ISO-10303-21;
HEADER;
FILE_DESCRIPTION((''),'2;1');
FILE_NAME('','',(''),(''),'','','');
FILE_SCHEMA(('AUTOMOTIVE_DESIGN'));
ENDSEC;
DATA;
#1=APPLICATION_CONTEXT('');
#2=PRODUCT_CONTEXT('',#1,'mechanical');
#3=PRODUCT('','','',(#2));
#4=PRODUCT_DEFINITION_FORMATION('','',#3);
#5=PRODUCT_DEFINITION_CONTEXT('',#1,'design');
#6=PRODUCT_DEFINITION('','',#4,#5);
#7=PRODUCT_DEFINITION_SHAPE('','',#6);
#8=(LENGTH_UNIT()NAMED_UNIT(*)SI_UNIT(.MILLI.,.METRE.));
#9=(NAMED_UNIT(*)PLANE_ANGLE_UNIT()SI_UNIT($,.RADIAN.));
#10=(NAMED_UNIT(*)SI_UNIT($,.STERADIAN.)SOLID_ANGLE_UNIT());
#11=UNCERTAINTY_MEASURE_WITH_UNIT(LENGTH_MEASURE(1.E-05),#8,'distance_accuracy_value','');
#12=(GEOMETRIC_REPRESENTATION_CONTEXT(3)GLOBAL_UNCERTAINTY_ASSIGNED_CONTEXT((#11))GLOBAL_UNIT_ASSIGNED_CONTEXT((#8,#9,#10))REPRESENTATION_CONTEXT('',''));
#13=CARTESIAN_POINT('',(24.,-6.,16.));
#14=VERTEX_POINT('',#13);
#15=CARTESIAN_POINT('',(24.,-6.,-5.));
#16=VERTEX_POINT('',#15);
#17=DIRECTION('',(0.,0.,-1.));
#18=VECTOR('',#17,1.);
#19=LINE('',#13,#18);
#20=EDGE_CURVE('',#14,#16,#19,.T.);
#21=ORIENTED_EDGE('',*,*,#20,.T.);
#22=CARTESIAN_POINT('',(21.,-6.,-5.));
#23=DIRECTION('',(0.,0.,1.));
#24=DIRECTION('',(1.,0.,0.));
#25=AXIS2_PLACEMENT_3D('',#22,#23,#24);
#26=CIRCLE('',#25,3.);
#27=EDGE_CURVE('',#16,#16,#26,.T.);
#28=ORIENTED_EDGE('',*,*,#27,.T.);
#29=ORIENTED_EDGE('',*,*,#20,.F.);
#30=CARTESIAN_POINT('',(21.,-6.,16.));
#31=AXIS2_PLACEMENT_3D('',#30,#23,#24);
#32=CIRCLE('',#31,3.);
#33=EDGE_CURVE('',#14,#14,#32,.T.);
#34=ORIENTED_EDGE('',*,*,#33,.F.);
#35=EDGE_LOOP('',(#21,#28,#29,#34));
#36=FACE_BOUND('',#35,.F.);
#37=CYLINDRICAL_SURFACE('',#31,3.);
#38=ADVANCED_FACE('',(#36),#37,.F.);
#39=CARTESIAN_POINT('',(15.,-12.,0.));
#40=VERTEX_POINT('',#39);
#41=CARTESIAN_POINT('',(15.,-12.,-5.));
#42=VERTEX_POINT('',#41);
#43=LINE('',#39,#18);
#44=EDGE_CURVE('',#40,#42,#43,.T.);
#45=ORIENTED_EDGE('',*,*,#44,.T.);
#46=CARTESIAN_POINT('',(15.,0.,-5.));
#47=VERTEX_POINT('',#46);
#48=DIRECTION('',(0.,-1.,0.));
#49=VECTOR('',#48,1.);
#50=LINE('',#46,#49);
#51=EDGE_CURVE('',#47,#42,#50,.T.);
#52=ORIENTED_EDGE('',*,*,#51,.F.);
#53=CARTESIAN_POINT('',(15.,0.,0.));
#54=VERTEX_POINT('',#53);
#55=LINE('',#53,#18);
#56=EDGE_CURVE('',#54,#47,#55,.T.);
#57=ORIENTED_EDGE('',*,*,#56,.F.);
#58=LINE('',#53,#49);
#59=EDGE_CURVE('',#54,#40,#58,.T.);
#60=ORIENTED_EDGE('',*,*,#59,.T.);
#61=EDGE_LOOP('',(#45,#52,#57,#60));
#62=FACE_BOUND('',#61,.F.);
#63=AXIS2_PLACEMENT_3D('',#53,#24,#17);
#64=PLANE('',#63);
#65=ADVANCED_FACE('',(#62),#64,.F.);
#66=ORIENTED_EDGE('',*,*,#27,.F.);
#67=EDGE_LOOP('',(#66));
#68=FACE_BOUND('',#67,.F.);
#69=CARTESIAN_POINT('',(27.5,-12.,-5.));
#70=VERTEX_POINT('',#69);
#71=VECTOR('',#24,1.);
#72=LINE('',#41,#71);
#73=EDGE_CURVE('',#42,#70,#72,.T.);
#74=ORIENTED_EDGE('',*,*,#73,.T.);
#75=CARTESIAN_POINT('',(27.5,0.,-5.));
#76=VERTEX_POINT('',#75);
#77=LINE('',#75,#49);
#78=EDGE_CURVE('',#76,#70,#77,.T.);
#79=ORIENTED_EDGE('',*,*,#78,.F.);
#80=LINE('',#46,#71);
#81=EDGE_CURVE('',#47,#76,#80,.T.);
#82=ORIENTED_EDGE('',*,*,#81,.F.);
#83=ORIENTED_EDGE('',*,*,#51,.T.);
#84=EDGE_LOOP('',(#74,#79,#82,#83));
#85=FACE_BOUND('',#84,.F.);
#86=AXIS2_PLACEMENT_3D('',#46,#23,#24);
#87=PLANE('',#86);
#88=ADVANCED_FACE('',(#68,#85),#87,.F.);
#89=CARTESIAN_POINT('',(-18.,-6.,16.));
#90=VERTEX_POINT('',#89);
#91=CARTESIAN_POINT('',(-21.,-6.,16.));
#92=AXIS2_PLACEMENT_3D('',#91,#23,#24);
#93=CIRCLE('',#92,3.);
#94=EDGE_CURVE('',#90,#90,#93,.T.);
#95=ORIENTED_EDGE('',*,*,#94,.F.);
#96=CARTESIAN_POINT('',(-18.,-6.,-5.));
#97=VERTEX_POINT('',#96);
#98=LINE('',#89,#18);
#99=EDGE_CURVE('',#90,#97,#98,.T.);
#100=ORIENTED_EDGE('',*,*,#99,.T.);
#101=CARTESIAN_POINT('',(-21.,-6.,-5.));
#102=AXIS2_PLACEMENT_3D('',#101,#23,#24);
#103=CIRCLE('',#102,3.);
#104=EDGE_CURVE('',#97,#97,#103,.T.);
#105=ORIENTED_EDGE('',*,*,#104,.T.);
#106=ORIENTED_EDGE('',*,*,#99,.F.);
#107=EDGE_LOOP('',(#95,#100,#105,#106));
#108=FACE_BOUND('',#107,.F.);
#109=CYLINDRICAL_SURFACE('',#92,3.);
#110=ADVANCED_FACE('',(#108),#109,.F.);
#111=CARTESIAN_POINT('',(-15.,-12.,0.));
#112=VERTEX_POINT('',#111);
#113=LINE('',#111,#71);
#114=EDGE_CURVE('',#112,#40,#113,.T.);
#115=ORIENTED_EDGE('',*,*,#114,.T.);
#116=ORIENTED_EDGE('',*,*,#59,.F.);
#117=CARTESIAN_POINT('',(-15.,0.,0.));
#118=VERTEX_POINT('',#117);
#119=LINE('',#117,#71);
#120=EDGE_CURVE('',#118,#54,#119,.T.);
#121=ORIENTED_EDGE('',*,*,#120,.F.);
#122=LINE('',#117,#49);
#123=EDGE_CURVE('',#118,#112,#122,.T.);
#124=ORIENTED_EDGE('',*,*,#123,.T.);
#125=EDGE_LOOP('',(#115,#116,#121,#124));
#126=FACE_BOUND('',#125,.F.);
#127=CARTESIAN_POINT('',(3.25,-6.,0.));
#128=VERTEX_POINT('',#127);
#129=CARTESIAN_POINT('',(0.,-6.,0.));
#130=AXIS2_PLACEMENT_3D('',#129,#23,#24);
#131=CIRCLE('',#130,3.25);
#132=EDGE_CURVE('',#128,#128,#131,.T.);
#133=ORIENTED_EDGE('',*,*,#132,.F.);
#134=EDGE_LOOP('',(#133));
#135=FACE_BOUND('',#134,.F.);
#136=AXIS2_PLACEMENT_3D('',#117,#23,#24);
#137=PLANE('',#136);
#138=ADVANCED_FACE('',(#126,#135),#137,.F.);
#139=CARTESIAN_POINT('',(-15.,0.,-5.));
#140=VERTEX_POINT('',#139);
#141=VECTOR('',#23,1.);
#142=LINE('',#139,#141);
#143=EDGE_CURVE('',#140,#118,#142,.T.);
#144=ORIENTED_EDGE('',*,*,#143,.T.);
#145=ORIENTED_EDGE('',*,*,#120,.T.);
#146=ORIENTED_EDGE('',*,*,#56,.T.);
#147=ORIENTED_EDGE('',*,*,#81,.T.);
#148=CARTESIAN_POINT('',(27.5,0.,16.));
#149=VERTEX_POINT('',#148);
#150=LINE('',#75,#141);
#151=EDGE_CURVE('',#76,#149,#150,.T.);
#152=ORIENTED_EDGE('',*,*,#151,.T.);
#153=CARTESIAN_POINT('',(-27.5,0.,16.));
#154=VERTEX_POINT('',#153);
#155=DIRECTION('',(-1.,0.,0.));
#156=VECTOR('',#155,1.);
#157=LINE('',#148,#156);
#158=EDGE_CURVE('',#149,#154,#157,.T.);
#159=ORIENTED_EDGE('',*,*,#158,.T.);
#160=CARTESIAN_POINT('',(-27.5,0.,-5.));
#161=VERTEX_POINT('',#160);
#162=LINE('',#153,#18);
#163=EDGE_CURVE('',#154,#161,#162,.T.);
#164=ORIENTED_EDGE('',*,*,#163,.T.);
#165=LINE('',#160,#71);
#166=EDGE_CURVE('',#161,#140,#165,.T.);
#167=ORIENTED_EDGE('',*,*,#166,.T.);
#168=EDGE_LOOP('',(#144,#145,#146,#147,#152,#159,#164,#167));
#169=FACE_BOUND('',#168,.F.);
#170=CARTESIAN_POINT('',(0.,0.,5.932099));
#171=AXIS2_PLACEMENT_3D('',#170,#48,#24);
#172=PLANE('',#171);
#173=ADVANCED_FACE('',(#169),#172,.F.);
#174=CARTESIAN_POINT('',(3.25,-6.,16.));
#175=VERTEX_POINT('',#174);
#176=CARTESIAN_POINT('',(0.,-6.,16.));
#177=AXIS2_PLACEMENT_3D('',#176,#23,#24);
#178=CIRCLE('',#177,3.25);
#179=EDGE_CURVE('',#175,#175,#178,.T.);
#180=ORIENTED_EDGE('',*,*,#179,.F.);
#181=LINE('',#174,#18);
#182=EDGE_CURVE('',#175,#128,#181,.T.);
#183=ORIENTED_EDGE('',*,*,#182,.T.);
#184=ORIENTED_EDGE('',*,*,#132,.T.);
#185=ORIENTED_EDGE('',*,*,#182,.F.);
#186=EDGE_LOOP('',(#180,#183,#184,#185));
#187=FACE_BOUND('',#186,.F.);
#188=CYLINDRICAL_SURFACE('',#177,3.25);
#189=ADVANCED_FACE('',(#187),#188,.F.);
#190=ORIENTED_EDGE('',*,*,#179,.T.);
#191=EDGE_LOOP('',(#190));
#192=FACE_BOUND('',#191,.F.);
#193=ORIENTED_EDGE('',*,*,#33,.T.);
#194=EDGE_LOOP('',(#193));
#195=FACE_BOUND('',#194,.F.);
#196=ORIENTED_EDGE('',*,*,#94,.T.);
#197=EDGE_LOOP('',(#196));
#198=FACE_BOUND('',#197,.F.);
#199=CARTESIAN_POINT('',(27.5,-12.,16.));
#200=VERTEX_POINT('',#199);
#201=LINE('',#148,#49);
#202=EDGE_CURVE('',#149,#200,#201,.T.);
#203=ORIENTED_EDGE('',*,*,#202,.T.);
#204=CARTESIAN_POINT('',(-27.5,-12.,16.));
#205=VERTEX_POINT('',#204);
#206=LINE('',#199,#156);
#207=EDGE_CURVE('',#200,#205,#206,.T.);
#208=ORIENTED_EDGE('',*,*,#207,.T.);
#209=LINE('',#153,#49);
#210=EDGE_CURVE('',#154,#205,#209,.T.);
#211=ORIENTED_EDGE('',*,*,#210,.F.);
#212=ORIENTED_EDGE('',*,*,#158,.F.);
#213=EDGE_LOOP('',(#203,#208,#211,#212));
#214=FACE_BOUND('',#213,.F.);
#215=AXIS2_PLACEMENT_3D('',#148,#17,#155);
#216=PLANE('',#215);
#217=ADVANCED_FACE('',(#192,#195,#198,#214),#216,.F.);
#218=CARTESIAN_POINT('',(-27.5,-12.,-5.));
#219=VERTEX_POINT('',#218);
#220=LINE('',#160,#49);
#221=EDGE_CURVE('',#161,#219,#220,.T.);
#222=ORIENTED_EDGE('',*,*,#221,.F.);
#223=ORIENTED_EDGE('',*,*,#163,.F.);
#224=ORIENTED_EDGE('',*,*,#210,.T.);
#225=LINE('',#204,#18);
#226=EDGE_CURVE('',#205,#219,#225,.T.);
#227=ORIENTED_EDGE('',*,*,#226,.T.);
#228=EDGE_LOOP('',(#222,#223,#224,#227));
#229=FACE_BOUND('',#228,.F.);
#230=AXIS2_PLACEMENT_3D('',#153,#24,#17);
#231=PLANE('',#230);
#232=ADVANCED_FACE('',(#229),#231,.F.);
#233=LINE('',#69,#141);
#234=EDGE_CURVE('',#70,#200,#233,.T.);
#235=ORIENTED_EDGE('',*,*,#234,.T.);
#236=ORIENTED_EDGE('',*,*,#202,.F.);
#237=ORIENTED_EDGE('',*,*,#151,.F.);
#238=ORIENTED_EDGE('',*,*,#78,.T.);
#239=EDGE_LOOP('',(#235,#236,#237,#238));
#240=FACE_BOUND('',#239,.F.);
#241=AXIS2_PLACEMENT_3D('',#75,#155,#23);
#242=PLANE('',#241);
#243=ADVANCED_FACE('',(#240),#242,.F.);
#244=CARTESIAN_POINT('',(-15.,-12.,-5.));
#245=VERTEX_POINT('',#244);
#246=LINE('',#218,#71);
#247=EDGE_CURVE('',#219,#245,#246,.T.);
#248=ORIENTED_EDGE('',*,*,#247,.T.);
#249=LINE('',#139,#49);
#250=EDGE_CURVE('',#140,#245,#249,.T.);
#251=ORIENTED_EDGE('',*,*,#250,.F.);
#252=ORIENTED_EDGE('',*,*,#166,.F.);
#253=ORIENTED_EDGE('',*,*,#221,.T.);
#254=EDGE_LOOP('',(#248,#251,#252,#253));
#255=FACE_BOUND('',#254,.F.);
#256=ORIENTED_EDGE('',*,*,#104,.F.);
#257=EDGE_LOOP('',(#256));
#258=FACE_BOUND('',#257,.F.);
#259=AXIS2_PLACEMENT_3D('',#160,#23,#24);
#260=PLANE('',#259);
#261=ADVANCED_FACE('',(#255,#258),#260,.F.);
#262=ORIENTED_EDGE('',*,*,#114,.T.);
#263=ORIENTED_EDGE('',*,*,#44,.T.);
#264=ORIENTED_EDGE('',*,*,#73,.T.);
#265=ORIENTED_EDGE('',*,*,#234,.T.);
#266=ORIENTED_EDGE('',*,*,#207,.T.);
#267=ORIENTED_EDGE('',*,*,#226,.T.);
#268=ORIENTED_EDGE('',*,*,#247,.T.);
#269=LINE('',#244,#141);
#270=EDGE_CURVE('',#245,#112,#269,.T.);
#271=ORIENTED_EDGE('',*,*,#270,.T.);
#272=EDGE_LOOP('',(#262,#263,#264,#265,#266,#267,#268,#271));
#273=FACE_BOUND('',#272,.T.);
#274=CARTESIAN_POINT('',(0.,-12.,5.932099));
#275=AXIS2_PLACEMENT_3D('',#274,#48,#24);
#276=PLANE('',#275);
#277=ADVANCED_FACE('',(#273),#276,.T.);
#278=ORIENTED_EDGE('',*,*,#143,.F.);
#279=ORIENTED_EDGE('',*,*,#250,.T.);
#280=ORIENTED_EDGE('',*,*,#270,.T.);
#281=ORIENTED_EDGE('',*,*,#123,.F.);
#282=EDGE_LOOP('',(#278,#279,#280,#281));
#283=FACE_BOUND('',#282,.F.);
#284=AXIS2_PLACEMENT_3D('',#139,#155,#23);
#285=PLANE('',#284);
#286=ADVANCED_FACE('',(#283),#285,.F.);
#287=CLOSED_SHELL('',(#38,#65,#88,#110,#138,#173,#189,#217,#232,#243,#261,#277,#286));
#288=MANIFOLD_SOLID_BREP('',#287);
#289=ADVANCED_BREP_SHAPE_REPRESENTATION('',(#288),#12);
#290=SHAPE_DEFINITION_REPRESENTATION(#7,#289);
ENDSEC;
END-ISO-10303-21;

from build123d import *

# Parameters (mm, degrees)
F1_DEPTH = 12
F2_R     = 3
F2_R_2   = 3.25
F3_DEPTH = 21.001


with BuildPart() as f1:
    # F0 (on Front) → F1 (new body)
    with BuildSketch(Plane.XZ):
        Polygon((-15, 0), (0, 0), (15, 0), (15, -5), (27.5, -5), (27.5, 16), (0, 16), (-27.5, 16), (-27.5, -5), (-15, -5), align=None)
    extrude(amount=F1_DEPTH)

    # F2 (on face) → F3 (cut, through all)
    with BuildSketch(Plane.XY.offset(16)):
        with Locations((-21, -6)):
            Circle(F2_R)
        with Locations((21, -6)):
            Circle(F2_R)
        with Locations((0, -6)):
            Circle(F2_R_2)
    extrude(amount=-F3_DEPTH, mode=Mode.SUBTRACT)


solid = f1.part
